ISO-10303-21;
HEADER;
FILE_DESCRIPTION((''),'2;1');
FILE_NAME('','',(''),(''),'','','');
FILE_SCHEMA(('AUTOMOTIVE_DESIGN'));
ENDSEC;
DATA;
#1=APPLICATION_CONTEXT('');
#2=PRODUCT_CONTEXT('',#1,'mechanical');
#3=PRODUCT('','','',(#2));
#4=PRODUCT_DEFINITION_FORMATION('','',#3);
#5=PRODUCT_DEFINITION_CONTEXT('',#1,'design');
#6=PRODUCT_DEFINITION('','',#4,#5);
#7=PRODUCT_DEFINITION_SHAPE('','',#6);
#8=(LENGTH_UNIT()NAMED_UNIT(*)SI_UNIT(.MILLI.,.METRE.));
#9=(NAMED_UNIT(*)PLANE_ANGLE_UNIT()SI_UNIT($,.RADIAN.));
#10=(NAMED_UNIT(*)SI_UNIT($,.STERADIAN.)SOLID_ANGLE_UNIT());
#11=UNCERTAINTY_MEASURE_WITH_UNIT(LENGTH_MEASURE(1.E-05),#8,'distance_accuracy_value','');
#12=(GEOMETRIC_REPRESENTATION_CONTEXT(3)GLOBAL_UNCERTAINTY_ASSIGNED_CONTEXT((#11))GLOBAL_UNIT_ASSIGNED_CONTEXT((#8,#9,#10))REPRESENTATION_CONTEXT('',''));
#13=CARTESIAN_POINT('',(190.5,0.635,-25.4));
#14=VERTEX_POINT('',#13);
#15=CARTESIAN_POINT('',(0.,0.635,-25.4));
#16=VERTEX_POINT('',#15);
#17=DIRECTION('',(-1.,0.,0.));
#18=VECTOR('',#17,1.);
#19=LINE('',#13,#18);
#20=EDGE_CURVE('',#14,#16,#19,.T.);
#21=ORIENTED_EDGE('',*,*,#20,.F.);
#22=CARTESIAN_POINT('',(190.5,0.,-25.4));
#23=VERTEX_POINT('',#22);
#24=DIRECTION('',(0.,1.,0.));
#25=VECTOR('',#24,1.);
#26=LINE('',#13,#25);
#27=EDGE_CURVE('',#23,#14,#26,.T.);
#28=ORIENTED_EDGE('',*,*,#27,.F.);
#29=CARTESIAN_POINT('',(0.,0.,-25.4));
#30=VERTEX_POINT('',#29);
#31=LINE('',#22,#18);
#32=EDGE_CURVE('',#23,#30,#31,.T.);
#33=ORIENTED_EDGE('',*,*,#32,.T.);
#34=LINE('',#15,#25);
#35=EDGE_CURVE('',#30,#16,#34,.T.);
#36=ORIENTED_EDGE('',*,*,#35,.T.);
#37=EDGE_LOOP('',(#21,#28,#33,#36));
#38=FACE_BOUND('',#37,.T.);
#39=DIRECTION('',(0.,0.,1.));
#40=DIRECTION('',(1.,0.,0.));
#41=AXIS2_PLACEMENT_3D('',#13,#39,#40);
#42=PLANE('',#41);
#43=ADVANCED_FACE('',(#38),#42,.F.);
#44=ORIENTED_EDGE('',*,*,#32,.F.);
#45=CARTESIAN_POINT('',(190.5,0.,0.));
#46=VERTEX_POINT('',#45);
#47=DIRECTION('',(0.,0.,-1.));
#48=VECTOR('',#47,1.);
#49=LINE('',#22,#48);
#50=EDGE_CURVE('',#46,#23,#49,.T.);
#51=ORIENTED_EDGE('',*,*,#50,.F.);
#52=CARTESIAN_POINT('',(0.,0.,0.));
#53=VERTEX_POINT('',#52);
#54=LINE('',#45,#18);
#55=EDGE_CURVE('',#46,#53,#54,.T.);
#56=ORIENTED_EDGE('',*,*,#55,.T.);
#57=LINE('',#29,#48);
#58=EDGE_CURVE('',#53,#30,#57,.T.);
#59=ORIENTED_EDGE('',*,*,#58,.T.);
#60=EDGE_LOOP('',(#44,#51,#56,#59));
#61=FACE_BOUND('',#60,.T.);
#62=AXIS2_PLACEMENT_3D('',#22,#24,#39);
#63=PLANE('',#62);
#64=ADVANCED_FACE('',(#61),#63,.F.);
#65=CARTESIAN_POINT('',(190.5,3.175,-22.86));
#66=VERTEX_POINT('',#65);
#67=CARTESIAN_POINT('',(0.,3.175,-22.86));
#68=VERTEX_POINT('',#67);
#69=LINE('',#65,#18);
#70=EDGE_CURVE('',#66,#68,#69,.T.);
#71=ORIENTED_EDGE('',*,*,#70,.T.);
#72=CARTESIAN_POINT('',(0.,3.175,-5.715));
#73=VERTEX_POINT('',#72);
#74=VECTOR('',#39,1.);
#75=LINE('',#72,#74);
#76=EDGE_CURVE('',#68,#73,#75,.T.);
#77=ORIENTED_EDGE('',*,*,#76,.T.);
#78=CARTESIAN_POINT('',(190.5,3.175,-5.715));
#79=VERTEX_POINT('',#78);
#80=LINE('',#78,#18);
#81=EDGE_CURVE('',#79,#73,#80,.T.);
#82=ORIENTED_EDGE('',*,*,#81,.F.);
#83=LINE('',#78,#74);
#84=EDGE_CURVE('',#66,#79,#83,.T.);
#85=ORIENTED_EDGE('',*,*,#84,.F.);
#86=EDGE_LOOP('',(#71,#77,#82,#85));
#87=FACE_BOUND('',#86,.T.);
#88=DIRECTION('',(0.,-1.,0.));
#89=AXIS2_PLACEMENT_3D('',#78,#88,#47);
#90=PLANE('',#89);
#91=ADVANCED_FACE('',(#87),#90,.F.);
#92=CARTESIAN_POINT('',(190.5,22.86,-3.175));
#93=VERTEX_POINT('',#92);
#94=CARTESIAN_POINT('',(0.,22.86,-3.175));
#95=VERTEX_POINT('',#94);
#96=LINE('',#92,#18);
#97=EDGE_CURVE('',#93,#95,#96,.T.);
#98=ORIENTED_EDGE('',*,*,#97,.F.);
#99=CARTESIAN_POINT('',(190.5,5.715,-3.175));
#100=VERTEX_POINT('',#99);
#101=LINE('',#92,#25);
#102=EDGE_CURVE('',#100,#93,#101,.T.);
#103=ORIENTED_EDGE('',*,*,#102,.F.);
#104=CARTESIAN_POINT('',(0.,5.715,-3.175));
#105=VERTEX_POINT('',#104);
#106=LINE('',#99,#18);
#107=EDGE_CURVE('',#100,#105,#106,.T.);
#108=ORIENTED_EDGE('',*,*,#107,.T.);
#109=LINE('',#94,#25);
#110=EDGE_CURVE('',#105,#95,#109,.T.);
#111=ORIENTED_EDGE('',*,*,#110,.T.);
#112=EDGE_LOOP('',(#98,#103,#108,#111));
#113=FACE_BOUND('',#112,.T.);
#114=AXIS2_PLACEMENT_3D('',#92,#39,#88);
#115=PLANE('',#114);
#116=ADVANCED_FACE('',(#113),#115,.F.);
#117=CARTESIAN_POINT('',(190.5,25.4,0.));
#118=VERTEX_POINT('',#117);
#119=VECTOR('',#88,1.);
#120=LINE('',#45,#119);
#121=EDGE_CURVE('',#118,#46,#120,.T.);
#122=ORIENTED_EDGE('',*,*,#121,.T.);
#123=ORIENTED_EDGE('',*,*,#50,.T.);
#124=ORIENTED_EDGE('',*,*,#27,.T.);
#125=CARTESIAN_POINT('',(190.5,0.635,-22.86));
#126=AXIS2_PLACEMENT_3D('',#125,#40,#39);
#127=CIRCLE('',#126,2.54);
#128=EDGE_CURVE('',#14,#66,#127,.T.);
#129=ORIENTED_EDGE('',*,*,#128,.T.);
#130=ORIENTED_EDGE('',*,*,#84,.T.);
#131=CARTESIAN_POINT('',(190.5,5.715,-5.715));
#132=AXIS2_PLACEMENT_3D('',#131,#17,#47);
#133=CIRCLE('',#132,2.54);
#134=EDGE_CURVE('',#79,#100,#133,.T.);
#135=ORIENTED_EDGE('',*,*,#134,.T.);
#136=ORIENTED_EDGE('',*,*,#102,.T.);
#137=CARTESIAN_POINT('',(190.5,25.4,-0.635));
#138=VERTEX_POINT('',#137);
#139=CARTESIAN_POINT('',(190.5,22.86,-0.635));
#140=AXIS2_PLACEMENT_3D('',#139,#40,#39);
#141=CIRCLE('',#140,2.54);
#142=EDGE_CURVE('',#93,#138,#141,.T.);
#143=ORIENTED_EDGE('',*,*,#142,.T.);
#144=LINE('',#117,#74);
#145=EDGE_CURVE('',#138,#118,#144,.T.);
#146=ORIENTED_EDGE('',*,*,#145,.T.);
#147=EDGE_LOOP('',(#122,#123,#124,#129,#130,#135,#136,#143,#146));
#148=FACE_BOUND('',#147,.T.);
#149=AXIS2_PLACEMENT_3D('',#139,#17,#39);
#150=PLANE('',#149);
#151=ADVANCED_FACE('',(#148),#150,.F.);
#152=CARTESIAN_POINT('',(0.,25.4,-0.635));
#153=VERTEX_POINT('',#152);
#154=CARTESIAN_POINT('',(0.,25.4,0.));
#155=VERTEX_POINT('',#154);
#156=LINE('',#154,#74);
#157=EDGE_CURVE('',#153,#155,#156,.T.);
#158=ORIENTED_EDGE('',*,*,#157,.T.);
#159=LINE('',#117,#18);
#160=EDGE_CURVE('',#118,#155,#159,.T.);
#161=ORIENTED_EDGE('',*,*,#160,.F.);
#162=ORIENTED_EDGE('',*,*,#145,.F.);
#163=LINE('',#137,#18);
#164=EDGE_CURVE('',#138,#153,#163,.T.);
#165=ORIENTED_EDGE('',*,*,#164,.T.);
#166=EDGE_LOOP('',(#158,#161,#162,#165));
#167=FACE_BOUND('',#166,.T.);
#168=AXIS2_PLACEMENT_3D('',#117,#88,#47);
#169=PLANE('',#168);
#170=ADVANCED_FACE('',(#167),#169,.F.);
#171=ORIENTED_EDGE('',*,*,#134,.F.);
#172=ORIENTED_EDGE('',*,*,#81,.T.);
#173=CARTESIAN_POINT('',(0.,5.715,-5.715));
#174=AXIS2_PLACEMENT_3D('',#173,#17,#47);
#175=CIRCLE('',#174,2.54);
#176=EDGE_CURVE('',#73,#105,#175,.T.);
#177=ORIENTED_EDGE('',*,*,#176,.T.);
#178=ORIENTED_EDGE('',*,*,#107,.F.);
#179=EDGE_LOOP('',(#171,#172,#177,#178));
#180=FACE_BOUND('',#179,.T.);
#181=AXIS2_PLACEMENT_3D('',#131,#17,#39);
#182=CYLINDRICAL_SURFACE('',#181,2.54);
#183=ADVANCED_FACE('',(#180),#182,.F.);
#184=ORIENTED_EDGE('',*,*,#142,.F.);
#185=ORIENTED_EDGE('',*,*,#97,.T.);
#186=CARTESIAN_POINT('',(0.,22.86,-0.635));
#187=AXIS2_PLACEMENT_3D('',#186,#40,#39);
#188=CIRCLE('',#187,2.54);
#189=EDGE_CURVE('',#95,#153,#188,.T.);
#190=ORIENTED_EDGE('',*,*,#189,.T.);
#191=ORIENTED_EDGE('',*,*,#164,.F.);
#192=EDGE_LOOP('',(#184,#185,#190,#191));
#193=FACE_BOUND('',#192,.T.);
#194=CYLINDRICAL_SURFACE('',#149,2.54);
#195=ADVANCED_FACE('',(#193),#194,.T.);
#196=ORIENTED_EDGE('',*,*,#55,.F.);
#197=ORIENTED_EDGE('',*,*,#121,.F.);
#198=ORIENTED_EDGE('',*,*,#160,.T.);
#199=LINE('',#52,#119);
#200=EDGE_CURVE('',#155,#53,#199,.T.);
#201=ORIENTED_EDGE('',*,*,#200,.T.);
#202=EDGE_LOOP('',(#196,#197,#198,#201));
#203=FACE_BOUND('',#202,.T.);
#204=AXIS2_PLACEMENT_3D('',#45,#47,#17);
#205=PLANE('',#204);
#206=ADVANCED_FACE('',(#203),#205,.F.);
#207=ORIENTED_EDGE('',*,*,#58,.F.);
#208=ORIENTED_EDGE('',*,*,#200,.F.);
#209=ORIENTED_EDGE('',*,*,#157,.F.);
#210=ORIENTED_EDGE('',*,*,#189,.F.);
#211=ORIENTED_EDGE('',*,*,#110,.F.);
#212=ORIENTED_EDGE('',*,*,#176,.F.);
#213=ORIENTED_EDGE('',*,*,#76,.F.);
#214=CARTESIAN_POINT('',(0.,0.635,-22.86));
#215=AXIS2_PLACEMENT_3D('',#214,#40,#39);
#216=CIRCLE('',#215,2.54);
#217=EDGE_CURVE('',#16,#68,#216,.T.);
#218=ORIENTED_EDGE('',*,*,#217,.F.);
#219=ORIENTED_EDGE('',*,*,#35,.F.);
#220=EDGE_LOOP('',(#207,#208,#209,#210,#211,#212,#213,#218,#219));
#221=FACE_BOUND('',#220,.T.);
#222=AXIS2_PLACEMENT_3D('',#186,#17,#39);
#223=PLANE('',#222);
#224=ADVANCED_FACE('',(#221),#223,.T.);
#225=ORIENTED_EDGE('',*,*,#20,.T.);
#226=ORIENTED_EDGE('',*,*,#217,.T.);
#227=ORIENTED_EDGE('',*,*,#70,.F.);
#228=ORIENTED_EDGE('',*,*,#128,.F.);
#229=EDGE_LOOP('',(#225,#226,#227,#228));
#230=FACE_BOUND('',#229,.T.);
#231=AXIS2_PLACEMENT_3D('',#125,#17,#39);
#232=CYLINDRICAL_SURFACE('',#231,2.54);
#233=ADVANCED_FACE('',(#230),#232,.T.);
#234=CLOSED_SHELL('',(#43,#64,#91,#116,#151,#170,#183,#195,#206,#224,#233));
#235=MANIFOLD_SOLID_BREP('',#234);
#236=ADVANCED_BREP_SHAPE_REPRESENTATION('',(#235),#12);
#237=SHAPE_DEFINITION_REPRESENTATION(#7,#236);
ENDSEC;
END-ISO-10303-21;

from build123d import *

# Parameters (mm, degrees)
BOSS_EXTRUDE1_DEPTH = 190.5


with BuildPart() as part:
    # Sketch1 → Boss-Extrude1 (new body)
    with BuildSketch(Plane(origin=(0, 0, 0), x_dir=(0, 0, -1), z_dir=(1, 0, 0))):
        with BuildLine():
            Line((0, 0), (0, 25.4))
            Line((0, 25.4), (0.635, 25.4))
            ThreePointArc((0.635, 25.4), (2.431051224, 24.656051224), (3.175, 22.86))
            Line((3.175, 22.86), (3.175, 5.715))
            ThreePointArc((3.175, 5.715), (3.918948776, 3.918948776), (5.715, 3.175))
            Line((5.715, 3.175), (22.86, 3.175))
            ThreePointArc((22.86, 3.175), (24.656051224, 2.431051224), (25.4, 0.635))
            Line((25.4, 0.635), (25.4, 0))
            Line((25.4, 0), (0, 0))
        make_face()
    extrude(amount=BOSS_EXTRUDE1_DEPTH)


solid = part.part
